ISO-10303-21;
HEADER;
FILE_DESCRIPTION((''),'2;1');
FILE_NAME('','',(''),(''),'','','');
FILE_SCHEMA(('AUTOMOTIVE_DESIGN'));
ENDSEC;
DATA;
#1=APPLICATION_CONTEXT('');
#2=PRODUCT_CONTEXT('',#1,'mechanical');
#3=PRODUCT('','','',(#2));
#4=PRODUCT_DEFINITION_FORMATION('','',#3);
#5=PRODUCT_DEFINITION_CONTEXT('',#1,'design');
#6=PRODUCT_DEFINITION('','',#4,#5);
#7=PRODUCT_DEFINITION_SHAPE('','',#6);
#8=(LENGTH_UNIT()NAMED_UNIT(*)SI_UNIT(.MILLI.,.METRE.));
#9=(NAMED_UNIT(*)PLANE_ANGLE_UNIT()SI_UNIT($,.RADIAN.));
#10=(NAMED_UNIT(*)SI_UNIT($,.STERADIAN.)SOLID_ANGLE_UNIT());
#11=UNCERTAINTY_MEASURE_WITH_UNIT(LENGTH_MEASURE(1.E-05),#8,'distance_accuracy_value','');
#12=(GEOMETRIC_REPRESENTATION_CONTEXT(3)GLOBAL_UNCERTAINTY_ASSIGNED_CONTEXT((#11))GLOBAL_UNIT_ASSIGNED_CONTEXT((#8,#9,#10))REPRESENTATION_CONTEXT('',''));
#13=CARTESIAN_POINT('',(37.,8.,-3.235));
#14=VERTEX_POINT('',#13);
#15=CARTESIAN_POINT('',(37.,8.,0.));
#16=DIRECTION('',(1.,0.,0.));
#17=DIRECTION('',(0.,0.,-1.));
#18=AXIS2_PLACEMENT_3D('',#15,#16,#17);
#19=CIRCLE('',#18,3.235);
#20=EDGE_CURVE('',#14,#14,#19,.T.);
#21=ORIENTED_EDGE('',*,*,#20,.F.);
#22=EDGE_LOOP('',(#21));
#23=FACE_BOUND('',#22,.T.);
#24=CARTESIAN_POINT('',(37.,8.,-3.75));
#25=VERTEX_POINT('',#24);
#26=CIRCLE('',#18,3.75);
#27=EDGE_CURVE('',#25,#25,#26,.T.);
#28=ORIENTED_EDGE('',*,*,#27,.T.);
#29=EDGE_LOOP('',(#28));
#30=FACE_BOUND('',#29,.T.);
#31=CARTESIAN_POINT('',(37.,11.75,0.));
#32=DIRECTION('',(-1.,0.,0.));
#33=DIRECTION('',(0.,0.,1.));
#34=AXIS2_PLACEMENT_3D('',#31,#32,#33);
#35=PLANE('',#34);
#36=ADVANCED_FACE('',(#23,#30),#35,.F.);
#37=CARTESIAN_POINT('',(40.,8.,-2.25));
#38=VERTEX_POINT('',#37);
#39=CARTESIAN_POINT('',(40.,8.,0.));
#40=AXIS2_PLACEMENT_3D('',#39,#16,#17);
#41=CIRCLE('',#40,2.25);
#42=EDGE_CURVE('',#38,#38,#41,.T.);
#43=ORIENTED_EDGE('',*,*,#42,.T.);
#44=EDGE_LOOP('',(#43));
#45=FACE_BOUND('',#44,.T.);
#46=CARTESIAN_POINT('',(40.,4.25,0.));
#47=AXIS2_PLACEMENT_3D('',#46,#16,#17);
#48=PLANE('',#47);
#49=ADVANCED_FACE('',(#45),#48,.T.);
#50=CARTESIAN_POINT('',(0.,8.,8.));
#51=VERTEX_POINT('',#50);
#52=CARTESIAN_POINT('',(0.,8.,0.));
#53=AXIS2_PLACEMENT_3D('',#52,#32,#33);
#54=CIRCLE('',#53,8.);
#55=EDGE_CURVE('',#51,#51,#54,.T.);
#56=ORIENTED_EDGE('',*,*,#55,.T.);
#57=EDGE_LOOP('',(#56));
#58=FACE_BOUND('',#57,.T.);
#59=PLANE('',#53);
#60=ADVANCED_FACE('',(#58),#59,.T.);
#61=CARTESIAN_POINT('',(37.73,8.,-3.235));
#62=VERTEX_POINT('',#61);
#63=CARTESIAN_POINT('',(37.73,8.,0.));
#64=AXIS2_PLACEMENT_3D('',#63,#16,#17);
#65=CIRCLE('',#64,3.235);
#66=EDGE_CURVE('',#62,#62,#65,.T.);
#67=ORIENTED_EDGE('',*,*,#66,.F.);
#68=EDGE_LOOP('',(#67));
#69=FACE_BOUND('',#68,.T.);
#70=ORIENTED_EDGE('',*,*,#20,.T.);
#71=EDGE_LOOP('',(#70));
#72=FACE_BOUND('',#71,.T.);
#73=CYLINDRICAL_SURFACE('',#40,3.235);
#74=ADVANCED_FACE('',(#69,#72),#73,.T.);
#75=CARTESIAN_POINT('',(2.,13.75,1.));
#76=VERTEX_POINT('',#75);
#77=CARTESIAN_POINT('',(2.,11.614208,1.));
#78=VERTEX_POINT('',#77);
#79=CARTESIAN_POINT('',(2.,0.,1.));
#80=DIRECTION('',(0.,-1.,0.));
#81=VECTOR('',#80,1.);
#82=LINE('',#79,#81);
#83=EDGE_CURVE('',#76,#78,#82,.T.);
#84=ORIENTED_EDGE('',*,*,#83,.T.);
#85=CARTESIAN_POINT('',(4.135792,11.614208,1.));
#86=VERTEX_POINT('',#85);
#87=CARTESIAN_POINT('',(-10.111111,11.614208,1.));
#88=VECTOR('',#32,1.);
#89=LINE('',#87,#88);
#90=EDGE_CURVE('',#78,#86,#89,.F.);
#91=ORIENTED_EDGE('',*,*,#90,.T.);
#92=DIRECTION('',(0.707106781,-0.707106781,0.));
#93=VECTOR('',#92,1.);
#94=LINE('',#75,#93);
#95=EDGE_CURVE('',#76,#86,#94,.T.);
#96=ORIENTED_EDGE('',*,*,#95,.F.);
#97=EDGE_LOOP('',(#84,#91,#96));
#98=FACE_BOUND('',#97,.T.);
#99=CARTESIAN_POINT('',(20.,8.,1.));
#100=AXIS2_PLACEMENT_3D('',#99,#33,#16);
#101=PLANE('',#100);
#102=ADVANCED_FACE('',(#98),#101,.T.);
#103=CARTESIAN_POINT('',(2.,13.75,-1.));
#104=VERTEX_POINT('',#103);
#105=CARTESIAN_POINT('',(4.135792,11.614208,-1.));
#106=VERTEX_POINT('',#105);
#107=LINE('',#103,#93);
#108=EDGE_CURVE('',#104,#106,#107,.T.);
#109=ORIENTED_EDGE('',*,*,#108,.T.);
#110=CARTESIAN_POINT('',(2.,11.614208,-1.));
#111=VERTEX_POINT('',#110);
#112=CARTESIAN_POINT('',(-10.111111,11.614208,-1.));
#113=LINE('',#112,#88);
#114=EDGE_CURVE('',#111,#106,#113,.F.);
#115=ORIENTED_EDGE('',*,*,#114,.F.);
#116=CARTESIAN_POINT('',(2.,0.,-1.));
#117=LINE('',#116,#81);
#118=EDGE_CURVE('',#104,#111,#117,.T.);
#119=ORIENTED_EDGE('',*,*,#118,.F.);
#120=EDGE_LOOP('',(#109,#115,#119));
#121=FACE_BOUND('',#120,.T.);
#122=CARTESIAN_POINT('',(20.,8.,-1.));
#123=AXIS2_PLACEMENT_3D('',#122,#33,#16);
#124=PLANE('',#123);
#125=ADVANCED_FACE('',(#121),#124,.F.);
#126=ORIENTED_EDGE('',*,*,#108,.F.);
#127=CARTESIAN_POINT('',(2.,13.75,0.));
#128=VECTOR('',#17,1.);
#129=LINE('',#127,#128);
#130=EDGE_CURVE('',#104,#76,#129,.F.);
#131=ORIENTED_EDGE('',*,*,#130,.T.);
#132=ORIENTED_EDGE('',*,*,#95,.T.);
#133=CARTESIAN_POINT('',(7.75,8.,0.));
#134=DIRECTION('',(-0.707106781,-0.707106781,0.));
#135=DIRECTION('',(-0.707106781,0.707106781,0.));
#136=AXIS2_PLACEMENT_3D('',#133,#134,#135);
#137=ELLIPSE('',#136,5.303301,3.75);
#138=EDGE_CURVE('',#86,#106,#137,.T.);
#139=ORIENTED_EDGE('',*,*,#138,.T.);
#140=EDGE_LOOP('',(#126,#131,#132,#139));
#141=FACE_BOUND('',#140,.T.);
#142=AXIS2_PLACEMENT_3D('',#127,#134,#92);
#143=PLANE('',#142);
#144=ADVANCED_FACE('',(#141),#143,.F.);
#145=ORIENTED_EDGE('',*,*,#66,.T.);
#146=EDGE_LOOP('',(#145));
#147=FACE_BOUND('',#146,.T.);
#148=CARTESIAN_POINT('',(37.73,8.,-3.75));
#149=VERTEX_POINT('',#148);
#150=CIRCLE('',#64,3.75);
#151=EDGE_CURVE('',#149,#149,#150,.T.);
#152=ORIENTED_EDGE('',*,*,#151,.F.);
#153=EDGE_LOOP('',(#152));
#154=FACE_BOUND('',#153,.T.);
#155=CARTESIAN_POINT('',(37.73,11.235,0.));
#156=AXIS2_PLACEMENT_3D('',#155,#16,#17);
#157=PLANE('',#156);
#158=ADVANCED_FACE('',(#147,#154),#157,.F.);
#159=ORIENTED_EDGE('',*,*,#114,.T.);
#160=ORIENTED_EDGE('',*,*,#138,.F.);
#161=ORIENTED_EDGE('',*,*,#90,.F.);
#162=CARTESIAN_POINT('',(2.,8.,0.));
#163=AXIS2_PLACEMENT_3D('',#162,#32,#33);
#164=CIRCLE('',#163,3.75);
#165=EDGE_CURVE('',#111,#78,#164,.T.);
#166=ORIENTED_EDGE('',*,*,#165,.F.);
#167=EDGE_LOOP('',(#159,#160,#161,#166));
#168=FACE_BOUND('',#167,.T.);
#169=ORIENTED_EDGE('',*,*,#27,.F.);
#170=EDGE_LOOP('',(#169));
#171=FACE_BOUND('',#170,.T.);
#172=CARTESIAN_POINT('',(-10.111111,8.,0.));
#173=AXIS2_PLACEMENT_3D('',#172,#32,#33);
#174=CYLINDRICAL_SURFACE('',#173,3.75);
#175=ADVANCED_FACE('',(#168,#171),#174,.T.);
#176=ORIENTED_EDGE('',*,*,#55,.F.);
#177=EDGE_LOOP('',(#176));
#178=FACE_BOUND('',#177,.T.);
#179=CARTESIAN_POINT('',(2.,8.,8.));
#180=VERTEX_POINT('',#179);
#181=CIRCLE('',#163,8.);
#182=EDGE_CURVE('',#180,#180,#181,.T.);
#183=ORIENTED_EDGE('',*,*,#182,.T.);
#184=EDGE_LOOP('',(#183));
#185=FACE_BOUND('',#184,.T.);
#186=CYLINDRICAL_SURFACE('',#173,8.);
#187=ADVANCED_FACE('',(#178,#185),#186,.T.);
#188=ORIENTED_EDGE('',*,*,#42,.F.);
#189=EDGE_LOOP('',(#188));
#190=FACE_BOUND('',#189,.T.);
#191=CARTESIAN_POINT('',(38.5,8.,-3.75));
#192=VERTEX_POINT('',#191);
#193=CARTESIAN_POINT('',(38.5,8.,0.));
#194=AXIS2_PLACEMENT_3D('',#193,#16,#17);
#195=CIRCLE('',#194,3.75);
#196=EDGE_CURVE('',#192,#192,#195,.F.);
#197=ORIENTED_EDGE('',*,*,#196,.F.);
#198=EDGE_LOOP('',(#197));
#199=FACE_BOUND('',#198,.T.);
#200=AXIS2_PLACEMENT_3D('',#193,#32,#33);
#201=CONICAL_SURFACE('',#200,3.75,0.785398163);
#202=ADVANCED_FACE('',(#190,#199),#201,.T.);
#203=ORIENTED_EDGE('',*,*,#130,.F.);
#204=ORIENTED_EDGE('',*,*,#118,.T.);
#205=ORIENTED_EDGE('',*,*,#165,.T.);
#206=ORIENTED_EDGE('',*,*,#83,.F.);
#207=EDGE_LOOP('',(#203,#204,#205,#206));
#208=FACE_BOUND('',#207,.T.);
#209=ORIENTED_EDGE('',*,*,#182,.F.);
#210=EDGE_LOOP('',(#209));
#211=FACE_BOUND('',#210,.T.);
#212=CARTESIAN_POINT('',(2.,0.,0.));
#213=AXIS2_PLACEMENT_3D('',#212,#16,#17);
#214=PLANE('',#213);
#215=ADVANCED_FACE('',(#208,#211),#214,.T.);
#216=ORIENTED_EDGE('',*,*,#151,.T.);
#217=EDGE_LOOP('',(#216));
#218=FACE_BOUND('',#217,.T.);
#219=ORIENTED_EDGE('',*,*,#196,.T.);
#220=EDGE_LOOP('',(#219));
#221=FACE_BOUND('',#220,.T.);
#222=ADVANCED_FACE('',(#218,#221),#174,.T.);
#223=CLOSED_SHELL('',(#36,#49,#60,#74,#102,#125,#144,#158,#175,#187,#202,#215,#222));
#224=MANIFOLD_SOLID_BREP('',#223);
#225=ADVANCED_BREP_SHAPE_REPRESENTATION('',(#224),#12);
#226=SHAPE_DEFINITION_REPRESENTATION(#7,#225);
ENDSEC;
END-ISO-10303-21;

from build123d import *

# Parameters (mm, degrees)
RIB11_REACH    = 45.818
SKETCH7_WALL_W = 92.464036326
SKETCH7_WALL_H = 2
CHAMFER1_SIZE  = 1.5
SKETCH8_W      = 0.73
SKETCH8_H      = 0.515


with BuildPart() as part:
    # Sketch1 → Revolve1 (revolve)
    with BuildSketch(Plane.XY, mode=Mode.PRIVATE) as revolve1_sk:
        Polygon((0, 0), (2, 0), (2, 4.25), (37, 4.25), (40, 4.25), (40, 8), (0, 8), align=None)
    revolve(revolve1_sk.sketch.rotate(Axis((-10.111111111, 8, 0), (1, 0, 0)), 270), axis=Axis((-10.111111111, 8, 0), (1, 0, 0)))

    # Sketch7 wall → Rib11 (add, up to next)
    with BuildSketch(Plane(origin=(3, 12.75, 0), x_dir=(0.707106781187, -0.707106781187, 0), z_dir=(0.707106781187, 0.707106781187, 0)), mode=Mode.PRIVATE) as rib11_sk1:
        Rectangle(SKETCH7_WALL_W, SKETCH7_WALL_H)
    rib11_tool1 = extrude(rib11_sk1.sketch, amount=-RIB11_REACH, mode=Mode.PRIVATE) - part.part
    add(rib11_tool1.solids().sort_by_distance((3, 12.75, 0))[0])

    # Chamfer1
    chamfer1_edges = [part.edges().sort_by_distance(p)[0] for p in [
        (40, 8, -3.75),
    ]]
    chamfer(chamfer1_edges, length=CHAMFER1_SIZE)

    # Sketch8 → Cut-Revolve1 (revolve, cut)
    with BuildSketch(Plane.XY, mode=Mode.PRIVATE) as cut_revolve1_sk:
        with Locations((37.365, 11.4925)):
            Rectangle(SKETCH8_W, SKETCH8_H)
    revolve(cut_revolve1_sk.sketch.rotate(Axis((40, 8, 0), (-1, 0, 0)), 90), axis=Axis((40, 8, 0), (-1, 0, 0)), mode=Mode.SUBTRACT)


solid = part.part
